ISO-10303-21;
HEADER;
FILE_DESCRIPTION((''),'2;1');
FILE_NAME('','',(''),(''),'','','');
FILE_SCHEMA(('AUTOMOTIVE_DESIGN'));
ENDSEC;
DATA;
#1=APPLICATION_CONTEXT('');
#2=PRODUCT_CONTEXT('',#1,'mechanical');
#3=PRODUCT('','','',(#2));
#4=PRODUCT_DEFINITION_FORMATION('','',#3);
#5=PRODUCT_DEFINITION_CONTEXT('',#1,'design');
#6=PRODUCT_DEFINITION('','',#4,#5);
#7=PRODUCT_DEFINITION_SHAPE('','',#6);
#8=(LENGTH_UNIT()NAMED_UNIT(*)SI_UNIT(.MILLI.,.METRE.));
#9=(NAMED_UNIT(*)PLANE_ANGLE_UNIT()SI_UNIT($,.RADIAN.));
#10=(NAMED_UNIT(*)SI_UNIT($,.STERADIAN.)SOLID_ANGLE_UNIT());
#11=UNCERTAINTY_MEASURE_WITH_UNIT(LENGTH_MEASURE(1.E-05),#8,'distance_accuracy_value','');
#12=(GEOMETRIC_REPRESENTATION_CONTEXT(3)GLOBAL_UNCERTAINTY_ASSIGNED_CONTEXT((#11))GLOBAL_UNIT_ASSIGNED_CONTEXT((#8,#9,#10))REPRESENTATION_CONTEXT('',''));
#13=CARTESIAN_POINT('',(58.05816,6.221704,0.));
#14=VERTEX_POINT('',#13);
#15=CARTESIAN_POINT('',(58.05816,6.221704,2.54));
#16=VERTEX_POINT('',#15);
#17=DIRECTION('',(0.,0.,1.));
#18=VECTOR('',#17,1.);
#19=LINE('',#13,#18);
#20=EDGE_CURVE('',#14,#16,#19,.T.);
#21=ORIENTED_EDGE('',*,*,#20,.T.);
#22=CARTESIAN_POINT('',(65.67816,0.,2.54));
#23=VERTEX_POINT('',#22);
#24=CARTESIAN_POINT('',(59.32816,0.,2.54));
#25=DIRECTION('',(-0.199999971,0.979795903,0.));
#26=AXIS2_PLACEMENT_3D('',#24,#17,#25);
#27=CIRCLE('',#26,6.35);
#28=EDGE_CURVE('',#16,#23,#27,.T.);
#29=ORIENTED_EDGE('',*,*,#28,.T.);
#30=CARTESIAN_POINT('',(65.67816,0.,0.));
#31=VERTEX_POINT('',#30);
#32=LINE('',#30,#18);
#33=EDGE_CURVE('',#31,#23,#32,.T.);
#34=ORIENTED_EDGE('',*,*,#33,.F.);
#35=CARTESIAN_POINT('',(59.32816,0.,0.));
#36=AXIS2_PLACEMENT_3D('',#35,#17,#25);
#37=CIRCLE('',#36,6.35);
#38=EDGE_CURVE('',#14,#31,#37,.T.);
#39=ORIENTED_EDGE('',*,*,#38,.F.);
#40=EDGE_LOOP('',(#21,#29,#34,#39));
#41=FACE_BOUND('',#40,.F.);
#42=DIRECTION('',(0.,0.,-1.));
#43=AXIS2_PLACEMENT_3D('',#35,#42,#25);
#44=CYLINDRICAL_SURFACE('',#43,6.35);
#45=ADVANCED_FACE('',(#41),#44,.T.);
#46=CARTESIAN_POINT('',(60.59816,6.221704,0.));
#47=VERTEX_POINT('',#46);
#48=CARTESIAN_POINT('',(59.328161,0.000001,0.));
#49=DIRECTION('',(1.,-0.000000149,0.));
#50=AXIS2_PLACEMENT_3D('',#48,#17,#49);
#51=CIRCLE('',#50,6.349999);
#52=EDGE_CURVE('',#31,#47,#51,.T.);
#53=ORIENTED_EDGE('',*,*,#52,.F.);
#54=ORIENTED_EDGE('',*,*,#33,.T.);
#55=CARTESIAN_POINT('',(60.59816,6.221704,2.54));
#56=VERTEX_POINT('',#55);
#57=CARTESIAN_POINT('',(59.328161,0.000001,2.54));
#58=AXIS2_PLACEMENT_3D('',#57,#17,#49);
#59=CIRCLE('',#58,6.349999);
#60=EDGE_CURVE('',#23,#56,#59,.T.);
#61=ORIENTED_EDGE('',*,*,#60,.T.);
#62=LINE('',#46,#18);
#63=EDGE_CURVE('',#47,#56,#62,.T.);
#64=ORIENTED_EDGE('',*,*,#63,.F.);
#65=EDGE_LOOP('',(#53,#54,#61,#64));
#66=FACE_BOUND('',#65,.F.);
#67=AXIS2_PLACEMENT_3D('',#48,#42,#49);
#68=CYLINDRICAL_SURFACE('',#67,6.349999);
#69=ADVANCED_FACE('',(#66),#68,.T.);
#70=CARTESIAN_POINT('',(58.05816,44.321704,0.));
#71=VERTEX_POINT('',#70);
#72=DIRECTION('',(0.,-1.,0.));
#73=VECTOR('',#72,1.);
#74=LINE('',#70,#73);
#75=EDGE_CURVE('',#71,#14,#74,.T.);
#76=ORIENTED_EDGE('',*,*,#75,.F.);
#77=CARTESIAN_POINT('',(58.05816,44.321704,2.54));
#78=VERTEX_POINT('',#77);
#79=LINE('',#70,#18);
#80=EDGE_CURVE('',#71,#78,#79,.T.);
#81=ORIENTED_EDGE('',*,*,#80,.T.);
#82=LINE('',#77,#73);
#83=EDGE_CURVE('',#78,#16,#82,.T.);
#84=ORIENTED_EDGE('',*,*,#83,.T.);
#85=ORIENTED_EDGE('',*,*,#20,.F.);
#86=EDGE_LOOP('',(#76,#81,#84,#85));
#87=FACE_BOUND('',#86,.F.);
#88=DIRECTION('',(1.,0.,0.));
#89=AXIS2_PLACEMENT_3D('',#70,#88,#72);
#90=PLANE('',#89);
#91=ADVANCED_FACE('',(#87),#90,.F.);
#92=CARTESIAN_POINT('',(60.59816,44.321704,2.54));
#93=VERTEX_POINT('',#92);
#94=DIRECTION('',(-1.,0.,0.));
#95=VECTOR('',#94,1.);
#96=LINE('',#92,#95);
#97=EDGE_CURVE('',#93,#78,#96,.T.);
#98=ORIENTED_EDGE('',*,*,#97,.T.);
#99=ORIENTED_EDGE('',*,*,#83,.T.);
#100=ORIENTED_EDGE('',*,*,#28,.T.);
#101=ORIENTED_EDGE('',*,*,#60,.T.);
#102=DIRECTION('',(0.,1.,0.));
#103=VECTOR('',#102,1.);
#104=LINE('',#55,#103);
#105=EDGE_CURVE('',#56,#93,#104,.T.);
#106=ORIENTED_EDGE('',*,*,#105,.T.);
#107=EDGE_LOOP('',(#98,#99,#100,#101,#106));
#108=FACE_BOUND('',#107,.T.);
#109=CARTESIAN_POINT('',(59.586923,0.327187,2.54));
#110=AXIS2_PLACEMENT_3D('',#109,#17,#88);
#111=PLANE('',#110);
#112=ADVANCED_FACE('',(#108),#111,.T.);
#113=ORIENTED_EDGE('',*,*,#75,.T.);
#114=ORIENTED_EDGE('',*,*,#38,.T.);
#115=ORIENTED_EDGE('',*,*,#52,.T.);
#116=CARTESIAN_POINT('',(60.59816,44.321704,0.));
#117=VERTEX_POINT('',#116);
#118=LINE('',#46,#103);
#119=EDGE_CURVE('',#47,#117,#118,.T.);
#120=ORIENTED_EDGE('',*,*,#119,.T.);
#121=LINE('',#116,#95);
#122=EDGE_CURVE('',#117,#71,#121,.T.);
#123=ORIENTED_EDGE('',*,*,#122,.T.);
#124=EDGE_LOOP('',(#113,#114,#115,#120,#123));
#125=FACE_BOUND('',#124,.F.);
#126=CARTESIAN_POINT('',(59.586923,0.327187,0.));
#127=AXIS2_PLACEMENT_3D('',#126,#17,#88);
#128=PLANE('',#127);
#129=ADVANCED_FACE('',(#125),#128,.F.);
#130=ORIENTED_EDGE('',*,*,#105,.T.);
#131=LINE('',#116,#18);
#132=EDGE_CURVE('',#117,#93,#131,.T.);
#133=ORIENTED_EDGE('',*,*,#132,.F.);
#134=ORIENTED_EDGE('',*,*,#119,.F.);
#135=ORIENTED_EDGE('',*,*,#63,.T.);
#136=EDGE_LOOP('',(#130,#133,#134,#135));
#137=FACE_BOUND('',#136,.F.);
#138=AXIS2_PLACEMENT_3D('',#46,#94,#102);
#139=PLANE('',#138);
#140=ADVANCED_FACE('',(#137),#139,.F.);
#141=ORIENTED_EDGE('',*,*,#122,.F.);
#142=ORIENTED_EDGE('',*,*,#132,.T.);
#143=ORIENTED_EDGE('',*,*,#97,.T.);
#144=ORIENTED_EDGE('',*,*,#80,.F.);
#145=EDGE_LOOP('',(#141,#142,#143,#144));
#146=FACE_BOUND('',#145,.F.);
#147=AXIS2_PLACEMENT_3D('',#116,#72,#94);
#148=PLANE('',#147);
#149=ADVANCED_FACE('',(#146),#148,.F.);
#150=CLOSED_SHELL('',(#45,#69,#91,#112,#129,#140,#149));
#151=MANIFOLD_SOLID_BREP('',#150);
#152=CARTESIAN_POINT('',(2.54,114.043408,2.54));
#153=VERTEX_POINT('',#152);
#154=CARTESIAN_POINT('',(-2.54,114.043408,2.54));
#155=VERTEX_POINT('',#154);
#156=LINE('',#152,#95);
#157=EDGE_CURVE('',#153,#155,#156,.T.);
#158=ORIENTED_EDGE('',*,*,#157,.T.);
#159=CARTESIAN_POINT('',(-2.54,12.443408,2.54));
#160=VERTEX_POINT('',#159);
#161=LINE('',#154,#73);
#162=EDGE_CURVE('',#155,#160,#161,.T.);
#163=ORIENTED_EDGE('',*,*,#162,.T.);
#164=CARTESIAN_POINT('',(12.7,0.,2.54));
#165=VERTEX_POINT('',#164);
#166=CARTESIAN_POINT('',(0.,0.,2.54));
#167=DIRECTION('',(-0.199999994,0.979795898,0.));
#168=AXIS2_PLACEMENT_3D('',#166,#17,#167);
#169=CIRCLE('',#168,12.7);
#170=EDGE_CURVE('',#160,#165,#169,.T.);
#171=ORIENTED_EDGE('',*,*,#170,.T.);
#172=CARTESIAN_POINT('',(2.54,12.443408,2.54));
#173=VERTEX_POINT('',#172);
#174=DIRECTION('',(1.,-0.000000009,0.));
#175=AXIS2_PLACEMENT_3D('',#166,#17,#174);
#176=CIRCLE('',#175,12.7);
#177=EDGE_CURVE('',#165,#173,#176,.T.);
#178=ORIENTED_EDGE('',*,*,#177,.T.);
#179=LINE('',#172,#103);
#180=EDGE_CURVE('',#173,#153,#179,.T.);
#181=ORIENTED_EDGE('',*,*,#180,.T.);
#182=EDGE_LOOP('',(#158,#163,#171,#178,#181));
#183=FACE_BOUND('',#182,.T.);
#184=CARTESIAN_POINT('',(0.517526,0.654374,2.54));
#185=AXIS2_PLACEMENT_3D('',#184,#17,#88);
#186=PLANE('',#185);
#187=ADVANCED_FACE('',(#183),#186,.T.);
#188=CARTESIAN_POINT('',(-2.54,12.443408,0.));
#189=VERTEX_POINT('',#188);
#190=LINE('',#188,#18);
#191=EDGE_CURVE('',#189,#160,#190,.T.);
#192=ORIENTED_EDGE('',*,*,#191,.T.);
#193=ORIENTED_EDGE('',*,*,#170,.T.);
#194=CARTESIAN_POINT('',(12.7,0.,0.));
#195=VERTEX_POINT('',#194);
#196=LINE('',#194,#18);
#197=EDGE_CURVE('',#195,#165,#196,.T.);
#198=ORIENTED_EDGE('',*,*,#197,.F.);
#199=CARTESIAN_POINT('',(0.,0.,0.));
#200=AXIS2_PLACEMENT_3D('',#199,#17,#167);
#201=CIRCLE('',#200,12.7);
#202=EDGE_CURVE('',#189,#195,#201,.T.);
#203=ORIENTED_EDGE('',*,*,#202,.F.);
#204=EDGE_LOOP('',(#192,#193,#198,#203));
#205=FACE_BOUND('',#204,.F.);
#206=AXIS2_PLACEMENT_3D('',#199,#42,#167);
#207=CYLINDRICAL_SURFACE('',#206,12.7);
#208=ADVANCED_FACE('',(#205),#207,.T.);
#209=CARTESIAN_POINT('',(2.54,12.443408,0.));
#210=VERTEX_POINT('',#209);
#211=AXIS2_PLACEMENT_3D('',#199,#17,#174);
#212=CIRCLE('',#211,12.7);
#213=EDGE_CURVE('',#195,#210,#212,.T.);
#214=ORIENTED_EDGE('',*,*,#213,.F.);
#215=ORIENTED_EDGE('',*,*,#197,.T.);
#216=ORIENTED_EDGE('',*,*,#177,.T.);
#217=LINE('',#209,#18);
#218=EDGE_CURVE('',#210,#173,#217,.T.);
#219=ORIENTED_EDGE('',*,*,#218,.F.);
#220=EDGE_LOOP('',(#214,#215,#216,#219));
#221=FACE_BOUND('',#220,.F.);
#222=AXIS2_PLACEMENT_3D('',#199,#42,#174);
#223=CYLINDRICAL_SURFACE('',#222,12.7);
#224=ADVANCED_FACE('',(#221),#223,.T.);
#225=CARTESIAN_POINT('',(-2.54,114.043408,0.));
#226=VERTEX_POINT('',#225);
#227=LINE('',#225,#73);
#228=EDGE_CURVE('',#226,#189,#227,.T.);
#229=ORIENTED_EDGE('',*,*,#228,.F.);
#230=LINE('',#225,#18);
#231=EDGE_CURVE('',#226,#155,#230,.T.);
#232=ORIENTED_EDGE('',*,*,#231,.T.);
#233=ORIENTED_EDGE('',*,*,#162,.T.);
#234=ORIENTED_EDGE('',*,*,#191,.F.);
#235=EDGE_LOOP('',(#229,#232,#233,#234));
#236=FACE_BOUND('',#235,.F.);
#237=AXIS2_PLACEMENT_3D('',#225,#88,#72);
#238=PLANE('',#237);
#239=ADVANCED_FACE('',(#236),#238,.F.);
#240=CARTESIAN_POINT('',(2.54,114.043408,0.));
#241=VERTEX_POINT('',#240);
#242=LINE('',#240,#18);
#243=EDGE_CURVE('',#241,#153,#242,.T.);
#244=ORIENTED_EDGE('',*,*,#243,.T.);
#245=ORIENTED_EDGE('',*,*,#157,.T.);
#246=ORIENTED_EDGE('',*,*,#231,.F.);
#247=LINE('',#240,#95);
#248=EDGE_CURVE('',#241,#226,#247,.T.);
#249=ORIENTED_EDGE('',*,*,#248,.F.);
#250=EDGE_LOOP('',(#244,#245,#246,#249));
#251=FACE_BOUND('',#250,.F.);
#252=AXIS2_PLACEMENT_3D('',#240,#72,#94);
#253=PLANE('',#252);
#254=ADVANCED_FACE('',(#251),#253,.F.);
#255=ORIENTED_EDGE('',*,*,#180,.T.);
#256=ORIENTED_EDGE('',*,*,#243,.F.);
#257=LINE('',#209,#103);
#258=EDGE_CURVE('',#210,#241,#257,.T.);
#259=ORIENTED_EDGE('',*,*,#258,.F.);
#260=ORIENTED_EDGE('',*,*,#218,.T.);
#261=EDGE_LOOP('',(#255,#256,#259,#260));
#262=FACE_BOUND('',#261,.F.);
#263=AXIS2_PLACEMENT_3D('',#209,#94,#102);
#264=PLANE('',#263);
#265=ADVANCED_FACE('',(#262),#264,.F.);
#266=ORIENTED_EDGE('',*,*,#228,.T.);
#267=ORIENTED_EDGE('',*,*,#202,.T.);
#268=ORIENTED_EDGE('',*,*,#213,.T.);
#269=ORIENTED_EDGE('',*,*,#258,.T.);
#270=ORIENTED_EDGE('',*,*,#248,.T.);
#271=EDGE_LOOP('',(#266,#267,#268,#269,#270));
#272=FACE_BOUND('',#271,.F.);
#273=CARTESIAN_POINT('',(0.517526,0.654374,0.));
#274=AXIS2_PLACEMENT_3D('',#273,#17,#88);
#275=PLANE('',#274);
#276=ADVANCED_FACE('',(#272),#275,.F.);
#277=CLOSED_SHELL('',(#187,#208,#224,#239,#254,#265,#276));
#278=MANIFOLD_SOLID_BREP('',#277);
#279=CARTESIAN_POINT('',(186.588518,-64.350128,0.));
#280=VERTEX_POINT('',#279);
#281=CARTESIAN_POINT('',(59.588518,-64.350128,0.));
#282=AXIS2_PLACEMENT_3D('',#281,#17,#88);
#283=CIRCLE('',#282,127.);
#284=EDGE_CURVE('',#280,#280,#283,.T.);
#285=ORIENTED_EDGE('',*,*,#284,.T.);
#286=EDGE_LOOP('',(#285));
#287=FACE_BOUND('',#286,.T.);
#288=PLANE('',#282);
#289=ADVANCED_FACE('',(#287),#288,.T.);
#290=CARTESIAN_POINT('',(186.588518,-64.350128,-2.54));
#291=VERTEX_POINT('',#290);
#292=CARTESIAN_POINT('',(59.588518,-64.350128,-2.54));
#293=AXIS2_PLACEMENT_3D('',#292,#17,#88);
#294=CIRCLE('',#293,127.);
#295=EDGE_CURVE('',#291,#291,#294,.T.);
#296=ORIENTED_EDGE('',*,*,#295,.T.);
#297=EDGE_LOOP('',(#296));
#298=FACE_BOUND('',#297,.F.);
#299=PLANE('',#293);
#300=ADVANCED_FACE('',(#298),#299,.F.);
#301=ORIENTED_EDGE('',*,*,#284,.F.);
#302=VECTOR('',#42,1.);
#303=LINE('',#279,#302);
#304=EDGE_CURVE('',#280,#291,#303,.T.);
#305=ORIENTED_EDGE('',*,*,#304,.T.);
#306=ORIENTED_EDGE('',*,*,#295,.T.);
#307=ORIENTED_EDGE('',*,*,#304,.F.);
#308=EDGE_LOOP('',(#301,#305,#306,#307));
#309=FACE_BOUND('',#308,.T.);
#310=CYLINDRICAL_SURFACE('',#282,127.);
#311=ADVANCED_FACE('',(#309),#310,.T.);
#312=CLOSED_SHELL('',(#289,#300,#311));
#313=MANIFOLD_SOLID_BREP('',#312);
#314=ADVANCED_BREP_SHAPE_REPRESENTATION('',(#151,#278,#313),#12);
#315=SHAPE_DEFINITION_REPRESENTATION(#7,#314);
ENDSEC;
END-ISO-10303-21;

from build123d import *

# Parameters (mm, degrees)
F1_DEPTH = 2.54
F3_DEPTH = 2.54
F4_R     = 127
F5_DEPTH = 2.54


with BuildPart() as f1:
    # F0 (on Top) → F1 (new body)
    with BuildSketch(Plane.XY):
        with BuildLine():
            ThreePointArc((-2.54, 12.443408), (-8.032185, -9.837378), (12.7, 0))
            ThreePointArc((12.7, 0), (9.837378, 8.032185), (2.54, 12.443408))
            ThreePointArc((2.54, 12.443408), (0, 12.7), (-2.54, 12.443408))
        make_face()
        with BuildLine():
            ThreePointArc((-2.54, 12.443408), (0, 12.7), (2.54, 12.443408))
            Line((2.54, 12.443408), (2.54, 114.043408))
            Line((2.54, 114.043408), (0, 114.043408))
            Line((0, 114.043408), (-2.54, 114.043408))
            Line((-2.54, 114.043408), (-2.54, 12.443408))
        make_face()
    extrude(amount=F1_DEPTH)


with BuildPart() as f3:
    # F2 (on Top) → F3 (new body)
    with BuildSketch(Plane.XY):
        with BuildLine():
            ThreePointArc((58.05816, 6.221704), (55.312067, -4.918689), (65.67816, 0))
            ThreePointArc((65.67816, 0), (64.246849, 4.016093), (60.59816, 6.221704))
            ThreePointArc((60.59816, 6.221704), (59.32816, 6.35), (58.05816, 6.221704))
        make_face()
        with BuildLine():
            ThreePointArc((58.05816, 6.221704), (59.32816, 6.35), (60.59816, 6.221704))
            Line((60.59816, 6.221704), (60.59816, 44.321704))
            Line((60.59816, 44.321704), (59.32816, 44.321704))
            Line((59.32816, 44.321704), (58.05816, 44.321704))
            Line((58.05816, 44.321704), (58.05816, 6.221704))
        make_face()
    extrude(amount=F3_DEPTH)


with BuildPart() as f5:
    # F4 (on Top) → F5 (new body)
    with BuildSketch(Plane.XY):
        with Locations((59.588518, -64.350128)):
            Circle(F4_R)
    extrude(amount=-F5_DEPTH)


solid = Compound([f1.part, f3.part, f5.part])
